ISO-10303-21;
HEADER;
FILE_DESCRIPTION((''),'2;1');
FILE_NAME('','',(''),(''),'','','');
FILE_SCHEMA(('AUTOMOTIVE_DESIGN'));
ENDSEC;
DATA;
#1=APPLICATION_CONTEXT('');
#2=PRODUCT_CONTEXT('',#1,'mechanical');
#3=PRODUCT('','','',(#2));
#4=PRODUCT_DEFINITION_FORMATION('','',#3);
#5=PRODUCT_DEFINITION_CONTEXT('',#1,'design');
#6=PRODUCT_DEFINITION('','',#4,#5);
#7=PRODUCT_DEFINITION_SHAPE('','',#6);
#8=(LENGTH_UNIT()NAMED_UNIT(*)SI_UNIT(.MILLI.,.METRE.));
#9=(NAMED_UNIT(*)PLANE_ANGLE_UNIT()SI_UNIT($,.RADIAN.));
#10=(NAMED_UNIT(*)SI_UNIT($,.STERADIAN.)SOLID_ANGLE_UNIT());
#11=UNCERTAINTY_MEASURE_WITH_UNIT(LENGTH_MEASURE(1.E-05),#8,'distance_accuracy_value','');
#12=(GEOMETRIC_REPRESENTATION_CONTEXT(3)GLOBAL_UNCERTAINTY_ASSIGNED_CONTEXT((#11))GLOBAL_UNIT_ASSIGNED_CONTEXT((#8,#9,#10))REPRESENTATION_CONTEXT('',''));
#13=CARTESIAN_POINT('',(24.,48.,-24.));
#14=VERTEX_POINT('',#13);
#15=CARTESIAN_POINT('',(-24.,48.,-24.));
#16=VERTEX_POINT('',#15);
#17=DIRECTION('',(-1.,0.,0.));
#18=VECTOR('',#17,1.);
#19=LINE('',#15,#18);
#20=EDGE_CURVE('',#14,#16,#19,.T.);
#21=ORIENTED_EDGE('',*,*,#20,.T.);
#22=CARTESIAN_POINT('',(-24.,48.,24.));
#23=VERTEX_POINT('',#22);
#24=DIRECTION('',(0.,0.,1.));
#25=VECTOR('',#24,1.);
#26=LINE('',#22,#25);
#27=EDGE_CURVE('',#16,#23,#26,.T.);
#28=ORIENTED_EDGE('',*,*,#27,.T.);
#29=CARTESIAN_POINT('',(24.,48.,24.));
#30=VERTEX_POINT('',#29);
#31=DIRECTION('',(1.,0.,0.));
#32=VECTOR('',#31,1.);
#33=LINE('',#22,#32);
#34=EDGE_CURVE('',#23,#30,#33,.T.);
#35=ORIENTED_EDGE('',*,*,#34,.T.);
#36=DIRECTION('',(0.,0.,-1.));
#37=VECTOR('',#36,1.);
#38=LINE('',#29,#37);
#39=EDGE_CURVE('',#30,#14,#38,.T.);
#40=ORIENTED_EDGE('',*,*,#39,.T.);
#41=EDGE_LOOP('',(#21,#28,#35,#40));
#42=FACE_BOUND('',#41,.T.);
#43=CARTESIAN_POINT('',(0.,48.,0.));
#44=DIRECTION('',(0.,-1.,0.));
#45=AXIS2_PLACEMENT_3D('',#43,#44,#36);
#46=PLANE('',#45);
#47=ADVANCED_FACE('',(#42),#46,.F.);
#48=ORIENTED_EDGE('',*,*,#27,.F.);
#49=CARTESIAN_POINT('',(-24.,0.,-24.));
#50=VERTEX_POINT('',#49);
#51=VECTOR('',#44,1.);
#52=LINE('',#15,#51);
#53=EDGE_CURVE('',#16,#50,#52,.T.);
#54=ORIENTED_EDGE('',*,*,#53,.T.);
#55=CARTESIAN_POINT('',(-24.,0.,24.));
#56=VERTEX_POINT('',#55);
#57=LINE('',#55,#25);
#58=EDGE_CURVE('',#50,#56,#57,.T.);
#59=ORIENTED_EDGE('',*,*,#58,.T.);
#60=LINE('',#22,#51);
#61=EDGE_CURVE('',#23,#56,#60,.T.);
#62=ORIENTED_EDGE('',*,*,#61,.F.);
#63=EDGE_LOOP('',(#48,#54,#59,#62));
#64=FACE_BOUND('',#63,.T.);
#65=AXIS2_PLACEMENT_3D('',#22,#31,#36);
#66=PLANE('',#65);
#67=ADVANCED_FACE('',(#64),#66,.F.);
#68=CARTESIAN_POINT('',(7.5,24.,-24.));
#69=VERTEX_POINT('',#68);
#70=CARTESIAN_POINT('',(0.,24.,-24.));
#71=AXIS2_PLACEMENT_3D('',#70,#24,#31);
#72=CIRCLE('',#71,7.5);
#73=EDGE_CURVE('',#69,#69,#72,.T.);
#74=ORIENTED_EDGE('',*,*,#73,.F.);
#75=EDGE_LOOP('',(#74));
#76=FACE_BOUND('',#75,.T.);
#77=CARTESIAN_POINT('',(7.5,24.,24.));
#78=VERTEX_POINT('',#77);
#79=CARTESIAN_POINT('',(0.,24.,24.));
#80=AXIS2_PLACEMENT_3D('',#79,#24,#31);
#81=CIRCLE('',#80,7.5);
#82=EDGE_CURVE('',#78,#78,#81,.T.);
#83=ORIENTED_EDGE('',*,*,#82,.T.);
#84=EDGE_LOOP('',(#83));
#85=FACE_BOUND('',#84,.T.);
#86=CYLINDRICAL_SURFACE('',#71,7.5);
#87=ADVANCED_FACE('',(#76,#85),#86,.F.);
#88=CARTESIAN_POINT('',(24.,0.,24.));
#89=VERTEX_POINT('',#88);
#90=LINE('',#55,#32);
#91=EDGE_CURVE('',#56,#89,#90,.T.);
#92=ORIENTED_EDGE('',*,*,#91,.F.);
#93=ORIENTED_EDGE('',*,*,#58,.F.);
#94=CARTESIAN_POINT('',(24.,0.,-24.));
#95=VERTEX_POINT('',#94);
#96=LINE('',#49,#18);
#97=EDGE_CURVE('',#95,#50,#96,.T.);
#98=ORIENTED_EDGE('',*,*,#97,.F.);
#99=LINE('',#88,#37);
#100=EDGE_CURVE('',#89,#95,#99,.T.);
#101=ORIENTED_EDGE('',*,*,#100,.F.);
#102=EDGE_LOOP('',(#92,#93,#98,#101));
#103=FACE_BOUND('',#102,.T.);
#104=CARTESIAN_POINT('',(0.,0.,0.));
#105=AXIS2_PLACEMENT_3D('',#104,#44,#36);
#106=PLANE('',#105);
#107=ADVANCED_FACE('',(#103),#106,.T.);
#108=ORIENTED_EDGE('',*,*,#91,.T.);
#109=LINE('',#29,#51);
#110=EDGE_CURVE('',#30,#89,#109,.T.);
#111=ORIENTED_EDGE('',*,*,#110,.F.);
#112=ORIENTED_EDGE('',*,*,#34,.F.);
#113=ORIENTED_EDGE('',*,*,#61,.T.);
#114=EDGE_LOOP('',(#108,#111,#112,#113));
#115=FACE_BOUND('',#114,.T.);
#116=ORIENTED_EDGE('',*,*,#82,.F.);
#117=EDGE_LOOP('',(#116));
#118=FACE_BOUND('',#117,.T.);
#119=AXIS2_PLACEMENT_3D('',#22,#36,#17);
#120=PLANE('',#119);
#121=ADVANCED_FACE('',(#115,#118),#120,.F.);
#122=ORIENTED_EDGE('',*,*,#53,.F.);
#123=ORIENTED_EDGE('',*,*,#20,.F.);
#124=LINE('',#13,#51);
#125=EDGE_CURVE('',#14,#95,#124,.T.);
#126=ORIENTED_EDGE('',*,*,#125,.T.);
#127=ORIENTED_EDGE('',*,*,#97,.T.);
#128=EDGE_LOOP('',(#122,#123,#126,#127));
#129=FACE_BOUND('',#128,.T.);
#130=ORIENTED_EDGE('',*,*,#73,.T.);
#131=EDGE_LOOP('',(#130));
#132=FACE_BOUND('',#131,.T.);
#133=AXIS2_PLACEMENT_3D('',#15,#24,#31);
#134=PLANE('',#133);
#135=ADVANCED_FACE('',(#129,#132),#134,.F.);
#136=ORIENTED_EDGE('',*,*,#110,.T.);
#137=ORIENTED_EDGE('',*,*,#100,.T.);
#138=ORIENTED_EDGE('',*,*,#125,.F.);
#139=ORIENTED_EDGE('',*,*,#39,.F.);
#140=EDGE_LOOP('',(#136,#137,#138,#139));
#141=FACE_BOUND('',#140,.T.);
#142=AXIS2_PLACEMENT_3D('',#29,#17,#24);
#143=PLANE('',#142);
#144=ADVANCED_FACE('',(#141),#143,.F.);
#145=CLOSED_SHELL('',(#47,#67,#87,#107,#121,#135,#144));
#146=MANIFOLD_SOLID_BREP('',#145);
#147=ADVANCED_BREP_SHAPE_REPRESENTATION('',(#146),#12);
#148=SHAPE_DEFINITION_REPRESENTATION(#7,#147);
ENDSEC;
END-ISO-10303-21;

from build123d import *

# Parameters (mm, degrees)
SKETCH1_W           = 48
SKETCH1_H           = 48
BOSS_EXTRUDE1_DEPTH = 48
SKETCH2_R           = 7.5
CUT_EXTRUDE1_DEPTH  = 49


with BuildPart() as part:
    # Sketch1 → Boss-Extrude1 (new body)
    with BuildSketch(Plane(origin=(0, 0, 0), x_dir=(1, 0, 0), z_dir=(0, 1, 0))):
        Rectangle(SKETCH1_W, SKETCH1_H)
    extrude(amount=BOSS_EXTRUDE1_DEPTH)

    # Sketch2 → Cut-Extrude1 (cut, through all)
    with BuildSketch(Plane.XY.offset(24)):
        with Locations((0, 24)):
            Circle(SKETCH2_R)
    extrude(amount=-CUT_EXTRUDE1_DEPTH, mode=Mode.SUBTRACT)


solid = part.part
